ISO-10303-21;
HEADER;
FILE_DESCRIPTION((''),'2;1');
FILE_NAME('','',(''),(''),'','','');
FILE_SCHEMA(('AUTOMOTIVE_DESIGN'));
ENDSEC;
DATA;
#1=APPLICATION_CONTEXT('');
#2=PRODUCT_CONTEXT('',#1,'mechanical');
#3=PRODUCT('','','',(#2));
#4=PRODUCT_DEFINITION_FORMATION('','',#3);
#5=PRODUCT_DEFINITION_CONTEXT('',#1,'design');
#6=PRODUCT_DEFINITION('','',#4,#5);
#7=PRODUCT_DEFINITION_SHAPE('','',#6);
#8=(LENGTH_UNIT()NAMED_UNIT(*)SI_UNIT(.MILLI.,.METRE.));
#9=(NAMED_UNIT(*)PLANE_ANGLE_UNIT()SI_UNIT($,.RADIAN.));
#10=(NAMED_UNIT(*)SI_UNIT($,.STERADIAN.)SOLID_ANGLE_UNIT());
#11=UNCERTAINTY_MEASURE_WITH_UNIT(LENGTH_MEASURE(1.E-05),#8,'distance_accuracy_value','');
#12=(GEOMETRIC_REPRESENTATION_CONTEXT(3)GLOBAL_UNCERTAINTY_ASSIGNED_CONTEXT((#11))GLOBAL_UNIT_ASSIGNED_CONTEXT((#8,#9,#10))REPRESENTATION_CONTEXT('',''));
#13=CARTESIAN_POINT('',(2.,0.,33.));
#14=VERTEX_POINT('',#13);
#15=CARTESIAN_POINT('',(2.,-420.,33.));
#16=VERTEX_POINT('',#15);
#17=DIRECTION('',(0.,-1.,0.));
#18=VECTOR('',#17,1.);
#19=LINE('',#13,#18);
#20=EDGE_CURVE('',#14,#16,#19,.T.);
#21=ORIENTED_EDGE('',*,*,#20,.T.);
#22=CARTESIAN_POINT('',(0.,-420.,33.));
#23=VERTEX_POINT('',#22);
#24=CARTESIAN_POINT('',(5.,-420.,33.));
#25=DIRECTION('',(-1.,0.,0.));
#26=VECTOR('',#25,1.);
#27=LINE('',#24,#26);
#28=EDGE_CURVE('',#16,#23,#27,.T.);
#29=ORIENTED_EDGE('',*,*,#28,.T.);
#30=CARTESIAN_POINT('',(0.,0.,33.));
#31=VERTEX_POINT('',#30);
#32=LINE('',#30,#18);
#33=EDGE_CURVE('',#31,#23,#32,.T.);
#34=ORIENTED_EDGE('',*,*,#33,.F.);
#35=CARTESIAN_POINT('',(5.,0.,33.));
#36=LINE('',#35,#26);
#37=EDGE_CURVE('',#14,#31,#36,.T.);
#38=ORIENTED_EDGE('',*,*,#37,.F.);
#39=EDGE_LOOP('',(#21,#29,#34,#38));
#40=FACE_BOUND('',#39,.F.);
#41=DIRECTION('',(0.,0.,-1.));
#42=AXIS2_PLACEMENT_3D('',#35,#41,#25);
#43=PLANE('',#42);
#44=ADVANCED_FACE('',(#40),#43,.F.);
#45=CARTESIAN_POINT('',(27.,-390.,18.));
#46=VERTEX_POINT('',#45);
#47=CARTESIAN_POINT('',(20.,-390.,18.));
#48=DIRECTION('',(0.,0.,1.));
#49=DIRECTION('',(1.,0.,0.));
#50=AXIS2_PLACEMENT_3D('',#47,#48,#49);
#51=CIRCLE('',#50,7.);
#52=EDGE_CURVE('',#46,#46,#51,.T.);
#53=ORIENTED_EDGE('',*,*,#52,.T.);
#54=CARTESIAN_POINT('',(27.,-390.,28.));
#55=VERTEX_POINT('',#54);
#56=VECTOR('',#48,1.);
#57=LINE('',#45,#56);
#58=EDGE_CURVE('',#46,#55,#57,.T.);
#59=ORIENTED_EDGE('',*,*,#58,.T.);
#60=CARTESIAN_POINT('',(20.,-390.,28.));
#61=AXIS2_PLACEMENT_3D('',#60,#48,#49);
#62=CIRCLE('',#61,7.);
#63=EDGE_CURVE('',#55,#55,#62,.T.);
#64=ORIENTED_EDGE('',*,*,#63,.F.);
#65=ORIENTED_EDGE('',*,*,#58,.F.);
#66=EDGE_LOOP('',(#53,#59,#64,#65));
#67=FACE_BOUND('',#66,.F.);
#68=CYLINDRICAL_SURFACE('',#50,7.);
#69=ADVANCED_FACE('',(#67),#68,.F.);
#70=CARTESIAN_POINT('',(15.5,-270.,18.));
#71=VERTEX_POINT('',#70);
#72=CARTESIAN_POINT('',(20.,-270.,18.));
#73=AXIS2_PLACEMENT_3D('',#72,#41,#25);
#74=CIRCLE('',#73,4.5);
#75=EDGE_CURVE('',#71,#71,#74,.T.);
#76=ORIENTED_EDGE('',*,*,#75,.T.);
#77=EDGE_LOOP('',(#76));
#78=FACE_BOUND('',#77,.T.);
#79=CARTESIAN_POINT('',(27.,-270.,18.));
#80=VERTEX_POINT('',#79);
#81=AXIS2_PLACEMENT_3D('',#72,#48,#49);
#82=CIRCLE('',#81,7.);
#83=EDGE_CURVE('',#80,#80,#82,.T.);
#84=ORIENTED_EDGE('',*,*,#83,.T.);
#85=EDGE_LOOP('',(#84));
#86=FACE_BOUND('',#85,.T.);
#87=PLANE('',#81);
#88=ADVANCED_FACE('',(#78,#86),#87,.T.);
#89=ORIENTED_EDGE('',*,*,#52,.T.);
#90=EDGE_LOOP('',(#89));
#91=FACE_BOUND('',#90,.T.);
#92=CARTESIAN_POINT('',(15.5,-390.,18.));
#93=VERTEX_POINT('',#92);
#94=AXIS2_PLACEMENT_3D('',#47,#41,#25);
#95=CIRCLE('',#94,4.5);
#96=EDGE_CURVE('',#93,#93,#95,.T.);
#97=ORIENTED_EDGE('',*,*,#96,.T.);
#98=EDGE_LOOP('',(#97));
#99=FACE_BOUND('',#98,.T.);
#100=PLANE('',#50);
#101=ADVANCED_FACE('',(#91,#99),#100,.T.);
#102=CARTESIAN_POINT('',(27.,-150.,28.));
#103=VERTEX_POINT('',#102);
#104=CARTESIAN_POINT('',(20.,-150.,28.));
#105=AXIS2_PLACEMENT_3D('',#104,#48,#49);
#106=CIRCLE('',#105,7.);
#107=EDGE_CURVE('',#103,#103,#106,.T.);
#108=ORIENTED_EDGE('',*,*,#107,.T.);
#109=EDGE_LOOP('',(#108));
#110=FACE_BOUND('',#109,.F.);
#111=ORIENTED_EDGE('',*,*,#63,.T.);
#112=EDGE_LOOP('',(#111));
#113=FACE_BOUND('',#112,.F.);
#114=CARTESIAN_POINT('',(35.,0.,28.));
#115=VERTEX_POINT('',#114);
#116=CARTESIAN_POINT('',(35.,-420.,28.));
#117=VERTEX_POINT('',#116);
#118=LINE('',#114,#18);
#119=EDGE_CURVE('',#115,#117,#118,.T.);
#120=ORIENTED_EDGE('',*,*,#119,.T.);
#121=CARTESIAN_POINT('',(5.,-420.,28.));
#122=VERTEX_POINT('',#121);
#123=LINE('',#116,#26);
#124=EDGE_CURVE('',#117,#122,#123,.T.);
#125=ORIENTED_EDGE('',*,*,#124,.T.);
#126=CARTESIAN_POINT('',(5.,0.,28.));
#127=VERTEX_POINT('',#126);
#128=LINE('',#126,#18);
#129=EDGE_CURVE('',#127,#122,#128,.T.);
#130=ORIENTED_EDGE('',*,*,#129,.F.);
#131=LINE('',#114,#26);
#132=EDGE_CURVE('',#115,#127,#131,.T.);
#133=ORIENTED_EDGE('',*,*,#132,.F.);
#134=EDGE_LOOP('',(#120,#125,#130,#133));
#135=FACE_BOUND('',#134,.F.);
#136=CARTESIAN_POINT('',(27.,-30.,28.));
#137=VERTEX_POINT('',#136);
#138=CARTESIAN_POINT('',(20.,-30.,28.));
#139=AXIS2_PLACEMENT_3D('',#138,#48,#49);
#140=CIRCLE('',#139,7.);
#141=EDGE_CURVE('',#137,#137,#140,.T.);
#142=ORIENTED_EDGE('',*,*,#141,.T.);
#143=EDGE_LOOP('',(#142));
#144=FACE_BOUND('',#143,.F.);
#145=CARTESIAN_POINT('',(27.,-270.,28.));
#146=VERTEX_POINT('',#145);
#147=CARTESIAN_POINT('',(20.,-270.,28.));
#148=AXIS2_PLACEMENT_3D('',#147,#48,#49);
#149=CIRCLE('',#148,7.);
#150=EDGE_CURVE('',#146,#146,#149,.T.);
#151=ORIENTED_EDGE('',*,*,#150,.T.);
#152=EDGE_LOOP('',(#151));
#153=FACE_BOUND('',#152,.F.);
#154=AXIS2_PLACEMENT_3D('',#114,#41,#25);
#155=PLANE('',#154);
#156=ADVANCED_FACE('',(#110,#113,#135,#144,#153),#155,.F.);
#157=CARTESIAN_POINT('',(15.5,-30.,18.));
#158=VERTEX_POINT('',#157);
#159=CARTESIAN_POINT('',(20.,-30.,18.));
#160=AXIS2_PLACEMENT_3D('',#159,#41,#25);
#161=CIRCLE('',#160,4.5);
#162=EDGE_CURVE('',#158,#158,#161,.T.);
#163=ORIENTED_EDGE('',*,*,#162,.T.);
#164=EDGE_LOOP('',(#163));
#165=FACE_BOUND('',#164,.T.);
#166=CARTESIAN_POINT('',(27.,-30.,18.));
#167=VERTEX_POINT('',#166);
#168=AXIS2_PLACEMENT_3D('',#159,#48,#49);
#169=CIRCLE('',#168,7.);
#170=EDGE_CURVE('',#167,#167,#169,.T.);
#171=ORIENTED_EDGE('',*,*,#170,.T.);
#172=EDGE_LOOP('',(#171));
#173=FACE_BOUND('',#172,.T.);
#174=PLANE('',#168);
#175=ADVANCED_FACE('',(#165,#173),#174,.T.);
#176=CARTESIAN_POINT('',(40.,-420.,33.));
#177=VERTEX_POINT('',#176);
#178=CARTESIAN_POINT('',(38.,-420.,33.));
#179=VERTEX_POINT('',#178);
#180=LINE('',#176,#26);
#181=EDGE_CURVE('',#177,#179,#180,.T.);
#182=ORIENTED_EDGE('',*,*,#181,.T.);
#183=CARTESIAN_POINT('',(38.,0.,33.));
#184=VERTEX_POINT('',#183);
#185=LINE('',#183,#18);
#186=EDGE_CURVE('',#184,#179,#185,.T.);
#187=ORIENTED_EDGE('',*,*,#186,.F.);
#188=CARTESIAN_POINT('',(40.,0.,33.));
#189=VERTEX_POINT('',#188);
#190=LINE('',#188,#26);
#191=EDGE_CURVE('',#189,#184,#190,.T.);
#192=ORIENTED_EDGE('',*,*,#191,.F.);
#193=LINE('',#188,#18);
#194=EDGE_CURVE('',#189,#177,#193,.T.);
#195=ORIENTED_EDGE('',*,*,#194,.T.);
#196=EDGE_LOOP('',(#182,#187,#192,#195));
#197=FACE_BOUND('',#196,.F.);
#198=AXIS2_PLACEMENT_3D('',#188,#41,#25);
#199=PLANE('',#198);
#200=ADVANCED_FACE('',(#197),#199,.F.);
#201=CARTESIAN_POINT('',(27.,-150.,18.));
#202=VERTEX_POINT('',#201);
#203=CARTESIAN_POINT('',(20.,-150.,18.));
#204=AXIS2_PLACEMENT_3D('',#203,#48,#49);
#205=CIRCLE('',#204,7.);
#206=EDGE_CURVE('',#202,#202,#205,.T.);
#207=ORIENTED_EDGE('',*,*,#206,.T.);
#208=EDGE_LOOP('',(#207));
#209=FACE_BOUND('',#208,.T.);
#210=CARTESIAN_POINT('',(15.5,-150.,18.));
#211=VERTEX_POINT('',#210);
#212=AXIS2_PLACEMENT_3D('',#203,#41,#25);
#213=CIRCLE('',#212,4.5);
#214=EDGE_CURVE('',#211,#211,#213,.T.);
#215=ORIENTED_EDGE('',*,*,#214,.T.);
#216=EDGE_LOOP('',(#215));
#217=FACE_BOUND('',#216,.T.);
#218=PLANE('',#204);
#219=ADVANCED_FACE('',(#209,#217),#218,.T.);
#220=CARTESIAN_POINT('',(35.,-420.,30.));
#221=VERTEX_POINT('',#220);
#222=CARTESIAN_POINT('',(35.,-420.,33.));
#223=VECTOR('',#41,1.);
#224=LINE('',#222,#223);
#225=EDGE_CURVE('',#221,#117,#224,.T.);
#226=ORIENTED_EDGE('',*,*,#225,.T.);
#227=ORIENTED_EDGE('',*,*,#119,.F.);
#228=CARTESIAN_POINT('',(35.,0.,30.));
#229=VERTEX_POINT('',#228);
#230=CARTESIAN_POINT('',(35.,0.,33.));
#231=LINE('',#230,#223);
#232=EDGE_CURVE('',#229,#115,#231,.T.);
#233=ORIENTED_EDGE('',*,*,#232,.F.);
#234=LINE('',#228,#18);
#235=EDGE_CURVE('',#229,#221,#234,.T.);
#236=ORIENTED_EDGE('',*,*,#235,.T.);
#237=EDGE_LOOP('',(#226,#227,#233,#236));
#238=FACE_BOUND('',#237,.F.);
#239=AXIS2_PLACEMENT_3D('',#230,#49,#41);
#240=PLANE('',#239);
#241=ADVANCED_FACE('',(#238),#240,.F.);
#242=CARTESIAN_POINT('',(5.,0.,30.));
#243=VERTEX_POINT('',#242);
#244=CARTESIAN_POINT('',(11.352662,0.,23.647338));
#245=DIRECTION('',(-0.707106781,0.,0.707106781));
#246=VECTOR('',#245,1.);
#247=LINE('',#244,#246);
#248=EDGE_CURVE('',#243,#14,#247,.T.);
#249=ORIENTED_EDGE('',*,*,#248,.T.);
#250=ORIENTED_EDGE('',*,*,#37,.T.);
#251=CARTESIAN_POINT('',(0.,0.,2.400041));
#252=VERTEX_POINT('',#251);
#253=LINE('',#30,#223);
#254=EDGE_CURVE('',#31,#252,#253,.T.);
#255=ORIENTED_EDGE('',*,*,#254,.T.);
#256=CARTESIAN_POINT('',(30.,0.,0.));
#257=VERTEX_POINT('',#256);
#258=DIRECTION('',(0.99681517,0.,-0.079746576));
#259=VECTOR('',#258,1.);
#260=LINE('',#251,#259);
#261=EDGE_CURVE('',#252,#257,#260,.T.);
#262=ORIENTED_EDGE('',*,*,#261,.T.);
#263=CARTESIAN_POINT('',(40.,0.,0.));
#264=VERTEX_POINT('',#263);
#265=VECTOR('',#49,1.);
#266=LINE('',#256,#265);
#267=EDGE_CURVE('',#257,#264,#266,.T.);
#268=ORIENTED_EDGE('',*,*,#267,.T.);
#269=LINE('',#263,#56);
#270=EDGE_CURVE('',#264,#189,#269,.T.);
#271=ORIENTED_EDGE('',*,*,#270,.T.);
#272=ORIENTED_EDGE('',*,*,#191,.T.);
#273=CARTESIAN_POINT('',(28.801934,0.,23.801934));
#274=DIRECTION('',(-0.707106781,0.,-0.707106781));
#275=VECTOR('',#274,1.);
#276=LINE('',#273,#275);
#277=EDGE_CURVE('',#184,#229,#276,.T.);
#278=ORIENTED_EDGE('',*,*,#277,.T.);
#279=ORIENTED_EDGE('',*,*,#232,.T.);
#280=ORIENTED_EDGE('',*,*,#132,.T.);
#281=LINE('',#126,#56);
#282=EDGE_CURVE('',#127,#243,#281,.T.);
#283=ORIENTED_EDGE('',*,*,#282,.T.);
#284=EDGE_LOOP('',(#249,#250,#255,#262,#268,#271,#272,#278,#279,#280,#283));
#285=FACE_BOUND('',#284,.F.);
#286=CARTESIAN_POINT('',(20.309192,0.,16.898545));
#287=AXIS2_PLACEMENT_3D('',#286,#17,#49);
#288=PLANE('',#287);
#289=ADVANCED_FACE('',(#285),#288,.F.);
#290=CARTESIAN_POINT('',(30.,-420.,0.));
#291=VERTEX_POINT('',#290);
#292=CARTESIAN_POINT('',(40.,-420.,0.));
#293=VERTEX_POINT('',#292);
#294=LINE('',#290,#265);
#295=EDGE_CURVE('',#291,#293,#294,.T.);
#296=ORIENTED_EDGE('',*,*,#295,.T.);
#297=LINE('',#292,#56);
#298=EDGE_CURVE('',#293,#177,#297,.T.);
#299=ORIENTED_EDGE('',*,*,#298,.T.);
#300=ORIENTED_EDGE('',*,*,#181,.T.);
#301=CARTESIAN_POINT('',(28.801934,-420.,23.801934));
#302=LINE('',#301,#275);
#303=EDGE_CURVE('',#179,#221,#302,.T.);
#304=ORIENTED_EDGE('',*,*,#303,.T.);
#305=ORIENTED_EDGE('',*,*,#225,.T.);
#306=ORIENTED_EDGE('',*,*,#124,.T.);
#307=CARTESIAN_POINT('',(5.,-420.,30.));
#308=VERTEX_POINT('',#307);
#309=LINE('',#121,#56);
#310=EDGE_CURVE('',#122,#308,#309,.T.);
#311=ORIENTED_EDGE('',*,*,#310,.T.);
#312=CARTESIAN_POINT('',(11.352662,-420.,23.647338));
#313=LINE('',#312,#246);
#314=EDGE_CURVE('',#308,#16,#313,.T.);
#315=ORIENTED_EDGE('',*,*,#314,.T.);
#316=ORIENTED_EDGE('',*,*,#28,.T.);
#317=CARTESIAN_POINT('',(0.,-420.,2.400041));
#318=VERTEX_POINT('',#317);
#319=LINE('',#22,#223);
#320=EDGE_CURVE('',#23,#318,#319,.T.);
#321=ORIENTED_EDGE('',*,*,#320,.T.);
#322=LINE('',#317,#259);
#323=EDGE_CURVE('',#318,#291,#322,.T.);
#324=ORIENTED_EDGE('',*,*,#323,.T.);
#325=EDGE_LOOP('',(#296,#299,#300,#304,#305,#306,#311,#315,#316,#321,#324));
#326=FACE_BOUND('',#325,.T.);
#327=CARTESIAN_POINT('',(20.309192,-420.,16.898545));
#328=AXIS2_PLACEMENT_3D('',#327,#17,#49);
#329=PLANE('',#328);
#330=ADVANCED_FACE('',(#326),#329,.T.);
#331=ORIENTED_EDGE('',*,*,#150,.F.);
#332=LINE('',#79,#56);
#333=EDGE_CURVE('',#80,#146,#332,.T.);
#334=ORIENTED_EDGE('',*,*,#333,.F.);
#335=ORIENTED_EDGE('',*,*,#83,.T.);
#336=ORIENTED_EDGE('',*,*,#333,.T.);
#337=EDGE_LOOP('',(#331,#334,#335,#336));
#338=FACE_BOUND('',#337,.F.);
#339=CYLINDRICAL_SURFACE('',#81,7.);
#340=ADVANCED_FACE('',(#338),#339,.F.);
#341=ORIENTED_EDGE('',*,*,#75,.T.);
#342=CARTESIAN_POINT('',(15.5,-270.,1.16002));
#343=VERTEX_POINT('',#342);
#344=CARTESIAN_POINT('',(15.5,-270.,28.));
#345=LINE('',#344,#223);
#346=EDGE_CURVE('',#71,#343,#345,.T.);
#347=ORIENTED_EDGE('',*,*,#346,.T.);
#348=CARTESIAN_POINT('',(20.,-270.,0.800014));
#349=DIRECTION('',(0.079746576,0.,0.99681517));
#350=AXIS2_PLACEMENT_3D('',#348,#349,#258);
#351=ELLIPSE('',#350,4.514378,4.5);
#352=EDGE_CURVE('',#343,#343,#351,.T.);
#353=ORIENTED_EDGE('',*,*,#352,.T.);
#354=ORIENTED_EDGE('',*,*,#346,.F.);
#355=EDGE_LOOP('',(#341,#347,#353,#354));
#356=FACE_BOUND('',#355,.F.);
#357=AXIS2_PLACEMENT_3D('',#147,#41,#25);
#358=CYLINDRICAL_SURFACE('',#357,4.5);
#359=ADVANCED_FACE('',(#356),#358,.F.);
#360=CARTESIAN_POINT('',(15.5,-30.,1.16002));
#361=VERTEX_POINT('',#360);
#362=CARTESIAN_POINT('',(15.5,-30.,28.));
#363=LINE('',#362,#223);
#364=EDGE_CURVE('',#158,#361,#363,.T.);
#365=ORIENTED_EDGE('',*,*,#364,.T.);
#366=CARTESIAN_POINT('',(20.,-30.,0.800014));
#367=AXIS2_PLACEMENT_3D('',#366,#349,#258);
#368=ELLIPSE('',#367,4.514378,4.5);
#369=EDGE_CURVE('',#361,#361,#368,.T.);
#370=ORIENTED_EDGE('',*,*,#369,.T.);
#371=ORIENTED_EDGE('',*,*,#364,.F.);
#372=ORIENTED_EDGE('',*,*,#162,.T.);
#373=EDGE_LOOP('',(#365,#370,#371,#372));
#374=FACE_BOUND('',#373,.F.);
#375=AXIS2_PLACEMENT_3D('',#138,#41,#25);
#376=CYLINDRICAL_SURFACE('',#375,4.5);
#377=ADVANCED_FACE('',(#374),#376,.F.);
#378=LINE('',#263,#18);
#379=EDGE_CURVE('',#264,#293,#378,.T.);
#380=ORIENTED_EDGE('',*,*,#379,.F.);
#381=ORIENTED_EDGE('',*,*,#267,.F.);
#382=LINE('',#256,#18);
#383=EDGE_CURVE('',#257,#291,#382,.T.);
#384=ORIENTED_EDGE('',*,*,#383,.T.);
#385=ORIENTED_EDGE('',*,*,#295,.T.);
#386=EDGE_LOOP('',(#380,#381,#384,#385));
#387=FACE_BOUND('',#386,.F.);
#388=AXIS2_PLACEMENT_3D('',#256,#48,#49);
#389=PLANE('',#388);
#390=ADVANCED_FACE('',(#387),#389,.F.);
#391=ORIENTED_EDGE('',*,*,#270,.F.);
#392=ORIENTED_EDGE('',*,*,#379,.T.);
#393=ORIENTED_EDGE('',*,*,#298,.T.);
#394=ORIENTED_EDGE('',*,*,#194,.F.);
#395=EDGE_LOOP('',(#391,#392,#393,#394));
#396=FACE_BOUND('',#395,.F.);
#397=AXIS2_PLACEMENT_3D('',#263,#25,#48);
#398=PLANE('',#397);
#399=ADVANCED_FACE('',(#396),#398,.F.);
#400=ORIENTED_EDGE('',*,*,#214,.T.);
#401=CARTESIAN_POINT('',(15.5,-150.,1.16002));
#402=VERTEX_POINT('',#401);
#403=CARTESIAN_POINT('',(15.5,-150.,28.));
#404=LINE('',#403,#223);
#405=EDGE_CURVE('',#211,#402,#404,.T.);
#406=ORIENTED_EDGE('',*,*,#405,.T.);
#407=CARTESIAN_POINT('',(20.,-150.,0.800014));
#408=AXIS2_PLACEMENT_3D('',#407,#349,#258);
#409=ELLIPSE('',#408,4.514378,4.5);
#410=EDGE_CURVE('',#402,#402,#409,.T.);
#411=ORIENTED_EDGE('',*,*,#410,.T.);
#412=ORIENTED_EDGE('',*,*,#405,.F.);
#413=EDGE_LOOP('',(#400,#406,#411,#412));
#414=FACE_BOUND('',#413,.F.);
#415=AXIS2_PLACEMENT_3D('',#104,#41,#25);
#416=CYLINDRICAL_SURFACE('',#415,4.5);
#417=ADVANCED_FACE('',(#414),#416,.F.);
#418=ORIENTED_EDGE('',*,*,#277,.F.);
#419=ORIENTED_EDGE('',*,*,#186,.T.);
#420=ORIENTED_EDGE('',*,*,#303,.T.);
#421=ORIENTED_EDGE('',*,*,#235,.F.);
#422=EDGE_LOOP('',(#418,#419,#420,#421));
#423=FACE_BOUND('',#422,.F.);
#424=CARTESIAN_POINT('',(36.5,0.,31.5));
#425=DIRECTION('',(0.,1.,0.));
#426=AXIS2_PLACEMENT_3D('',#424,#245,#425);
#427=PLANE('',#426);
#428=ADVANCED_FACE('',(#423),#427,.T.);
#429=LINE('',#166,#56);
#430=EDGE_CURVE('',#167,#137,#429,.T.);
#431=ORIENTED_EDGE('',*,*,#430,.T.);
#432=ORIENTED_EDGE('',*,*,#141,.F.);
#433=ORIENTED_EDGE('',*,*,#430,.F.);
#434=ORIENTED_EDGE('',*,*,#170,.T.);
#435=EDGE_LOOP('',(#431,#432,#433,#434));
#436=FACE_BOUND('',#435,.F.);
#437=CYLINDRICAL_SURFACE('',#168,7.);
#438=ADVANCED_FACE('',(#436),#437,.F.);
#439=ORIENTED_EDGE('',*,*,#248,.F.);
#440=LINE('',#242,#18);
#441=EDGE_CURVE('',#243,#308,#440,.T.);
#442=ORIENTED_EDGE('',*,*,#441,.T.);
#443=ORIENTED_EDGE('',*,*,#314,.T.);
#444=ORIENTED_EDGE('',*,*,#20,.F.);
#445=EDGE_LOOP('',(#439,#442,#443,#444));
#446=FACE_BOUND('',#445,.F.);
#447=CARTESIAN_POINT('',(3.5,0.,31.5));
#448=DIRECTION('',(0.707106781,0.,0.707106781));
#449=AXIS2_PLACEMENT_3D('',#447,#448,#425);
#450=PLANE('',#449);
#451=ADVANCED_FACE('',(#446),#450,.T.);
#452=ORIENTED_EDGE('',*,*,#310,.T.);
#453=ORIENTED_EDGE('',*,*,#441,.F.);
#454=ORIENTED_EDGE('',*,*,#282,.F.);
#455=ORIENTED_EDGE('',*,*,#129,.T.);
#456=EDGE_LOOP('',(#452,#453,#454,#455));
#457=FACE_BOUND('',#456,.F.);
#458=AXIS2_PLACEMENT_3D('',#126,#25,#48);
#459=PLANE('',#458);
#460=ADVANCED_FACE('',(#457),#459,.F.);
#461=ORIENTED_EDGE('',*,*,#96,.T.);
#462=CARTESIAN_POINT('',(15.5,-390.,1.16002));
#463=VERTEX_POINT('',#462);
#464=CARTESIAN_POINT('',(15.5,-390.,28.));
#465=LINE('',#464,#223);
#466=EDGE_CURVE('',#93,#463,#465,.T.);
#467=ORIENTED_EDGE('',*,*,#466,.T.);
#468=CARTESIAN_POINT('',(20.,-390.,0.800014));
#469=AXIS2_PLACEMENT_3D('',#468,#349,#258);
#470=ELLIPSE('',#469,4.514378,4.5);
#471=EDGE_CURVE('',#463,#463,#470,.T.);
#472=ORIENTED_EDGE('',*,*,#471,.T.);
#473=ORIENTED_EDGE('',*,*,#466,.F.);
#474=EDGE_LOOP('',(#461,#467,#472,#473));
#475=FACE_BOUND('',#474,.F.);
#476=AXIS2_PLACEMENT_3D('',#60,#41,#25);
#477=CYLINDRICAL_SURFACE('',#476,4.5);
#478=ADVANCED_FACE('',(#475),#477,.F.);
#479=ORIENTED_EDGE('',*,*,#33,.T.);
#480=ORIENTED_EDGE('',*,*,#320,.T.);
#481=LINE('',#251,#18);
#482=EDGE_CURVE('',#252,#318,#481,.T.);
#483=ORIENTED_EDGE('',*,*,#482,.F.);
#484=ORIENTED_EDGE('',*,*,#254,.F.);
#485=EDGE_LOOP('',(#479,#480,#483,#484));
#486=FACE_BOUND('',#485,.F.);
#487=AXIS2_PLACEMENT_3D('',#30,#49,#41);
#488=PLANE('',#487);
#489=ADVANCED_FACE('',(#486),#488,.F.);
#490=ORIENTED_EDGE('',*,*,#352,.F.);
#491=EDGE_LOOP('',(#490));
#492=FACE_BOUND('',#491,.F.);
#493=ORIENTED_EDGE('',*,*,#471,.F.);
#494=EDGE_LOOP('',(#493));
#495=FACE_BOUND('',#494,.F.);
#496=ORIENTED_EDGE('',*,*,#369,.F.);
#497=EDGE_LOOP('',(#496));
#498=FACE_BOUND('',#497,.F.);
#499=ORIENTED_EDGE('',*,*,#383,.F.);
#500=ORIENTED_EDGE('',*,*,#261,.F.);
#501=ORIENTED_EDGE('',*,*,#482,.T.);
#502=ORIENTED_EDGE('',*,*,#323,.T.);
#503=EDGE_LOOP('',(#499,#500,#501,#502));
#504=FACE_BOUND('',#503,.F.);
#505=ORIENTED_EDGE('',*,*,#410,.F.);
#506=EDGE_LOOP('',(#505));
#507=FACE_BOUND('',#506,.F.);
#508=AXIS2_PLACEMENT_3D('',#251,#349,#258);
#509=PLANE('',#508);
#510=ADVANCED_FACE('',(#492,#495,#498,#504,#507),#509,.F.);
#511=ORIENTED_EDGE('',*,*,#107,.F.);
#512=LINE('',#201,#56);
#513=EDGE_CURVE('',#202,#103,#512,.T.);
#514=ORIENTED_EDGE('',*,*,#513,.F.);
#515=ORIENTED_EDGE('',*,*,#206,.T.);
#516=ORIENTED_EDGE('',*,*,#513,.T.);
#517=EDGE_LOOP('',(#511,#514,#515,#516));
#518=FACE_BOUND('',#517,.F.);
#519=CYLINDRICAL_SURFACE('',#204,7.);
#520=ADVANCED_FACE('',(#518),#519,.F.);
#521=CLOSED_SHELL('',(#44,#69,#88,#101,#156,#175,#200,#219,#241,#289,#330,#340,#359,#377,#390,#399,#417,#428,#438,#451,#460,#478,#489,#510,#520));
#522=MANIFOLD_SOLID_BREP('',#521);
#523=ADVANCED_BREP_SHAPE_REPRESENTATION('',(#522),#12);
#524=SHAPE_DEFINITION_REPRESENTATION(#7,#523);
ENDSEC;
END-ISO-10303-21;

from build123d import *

# Parameters (mm, degrees)
F1_DEPTH       = 420
F2_SIZE        = 3
F4_D           = 9
F4_CBORE_D     = 14
F4_CBORE_DEPTH = 10


with BuildPart() as f1:
    # F0 (on Front) → F1 (new body)
    with BuildSketch(Plane.XZ):
        Polygon((0, 2.400041), (30, 0), (40, 0), (40, 33), (35, 33), (35, 28), (5, 28), (5, 33), (0, 33), align=None)
    extrude(amount=F1_DEPTH)

    # F2
    f2_edges = [f1.edges().sort_by_distance(p)[0] for p in [
        (5, -210, 33),
        (35, -210, 33),
    ]]
    chamfer(f2_edges, length=F2_SIZE)

    # F4 (through all)
    with Locations(Plane.XY.offset(28)):
        with Locations((20, -390), (20, -270), (20, -150), (20, -30)):
            CounterBoreHole(F4_D / 2, F4_CBORE_D / 2, F4_CBORE_DEPTH)


solid = f1.part
